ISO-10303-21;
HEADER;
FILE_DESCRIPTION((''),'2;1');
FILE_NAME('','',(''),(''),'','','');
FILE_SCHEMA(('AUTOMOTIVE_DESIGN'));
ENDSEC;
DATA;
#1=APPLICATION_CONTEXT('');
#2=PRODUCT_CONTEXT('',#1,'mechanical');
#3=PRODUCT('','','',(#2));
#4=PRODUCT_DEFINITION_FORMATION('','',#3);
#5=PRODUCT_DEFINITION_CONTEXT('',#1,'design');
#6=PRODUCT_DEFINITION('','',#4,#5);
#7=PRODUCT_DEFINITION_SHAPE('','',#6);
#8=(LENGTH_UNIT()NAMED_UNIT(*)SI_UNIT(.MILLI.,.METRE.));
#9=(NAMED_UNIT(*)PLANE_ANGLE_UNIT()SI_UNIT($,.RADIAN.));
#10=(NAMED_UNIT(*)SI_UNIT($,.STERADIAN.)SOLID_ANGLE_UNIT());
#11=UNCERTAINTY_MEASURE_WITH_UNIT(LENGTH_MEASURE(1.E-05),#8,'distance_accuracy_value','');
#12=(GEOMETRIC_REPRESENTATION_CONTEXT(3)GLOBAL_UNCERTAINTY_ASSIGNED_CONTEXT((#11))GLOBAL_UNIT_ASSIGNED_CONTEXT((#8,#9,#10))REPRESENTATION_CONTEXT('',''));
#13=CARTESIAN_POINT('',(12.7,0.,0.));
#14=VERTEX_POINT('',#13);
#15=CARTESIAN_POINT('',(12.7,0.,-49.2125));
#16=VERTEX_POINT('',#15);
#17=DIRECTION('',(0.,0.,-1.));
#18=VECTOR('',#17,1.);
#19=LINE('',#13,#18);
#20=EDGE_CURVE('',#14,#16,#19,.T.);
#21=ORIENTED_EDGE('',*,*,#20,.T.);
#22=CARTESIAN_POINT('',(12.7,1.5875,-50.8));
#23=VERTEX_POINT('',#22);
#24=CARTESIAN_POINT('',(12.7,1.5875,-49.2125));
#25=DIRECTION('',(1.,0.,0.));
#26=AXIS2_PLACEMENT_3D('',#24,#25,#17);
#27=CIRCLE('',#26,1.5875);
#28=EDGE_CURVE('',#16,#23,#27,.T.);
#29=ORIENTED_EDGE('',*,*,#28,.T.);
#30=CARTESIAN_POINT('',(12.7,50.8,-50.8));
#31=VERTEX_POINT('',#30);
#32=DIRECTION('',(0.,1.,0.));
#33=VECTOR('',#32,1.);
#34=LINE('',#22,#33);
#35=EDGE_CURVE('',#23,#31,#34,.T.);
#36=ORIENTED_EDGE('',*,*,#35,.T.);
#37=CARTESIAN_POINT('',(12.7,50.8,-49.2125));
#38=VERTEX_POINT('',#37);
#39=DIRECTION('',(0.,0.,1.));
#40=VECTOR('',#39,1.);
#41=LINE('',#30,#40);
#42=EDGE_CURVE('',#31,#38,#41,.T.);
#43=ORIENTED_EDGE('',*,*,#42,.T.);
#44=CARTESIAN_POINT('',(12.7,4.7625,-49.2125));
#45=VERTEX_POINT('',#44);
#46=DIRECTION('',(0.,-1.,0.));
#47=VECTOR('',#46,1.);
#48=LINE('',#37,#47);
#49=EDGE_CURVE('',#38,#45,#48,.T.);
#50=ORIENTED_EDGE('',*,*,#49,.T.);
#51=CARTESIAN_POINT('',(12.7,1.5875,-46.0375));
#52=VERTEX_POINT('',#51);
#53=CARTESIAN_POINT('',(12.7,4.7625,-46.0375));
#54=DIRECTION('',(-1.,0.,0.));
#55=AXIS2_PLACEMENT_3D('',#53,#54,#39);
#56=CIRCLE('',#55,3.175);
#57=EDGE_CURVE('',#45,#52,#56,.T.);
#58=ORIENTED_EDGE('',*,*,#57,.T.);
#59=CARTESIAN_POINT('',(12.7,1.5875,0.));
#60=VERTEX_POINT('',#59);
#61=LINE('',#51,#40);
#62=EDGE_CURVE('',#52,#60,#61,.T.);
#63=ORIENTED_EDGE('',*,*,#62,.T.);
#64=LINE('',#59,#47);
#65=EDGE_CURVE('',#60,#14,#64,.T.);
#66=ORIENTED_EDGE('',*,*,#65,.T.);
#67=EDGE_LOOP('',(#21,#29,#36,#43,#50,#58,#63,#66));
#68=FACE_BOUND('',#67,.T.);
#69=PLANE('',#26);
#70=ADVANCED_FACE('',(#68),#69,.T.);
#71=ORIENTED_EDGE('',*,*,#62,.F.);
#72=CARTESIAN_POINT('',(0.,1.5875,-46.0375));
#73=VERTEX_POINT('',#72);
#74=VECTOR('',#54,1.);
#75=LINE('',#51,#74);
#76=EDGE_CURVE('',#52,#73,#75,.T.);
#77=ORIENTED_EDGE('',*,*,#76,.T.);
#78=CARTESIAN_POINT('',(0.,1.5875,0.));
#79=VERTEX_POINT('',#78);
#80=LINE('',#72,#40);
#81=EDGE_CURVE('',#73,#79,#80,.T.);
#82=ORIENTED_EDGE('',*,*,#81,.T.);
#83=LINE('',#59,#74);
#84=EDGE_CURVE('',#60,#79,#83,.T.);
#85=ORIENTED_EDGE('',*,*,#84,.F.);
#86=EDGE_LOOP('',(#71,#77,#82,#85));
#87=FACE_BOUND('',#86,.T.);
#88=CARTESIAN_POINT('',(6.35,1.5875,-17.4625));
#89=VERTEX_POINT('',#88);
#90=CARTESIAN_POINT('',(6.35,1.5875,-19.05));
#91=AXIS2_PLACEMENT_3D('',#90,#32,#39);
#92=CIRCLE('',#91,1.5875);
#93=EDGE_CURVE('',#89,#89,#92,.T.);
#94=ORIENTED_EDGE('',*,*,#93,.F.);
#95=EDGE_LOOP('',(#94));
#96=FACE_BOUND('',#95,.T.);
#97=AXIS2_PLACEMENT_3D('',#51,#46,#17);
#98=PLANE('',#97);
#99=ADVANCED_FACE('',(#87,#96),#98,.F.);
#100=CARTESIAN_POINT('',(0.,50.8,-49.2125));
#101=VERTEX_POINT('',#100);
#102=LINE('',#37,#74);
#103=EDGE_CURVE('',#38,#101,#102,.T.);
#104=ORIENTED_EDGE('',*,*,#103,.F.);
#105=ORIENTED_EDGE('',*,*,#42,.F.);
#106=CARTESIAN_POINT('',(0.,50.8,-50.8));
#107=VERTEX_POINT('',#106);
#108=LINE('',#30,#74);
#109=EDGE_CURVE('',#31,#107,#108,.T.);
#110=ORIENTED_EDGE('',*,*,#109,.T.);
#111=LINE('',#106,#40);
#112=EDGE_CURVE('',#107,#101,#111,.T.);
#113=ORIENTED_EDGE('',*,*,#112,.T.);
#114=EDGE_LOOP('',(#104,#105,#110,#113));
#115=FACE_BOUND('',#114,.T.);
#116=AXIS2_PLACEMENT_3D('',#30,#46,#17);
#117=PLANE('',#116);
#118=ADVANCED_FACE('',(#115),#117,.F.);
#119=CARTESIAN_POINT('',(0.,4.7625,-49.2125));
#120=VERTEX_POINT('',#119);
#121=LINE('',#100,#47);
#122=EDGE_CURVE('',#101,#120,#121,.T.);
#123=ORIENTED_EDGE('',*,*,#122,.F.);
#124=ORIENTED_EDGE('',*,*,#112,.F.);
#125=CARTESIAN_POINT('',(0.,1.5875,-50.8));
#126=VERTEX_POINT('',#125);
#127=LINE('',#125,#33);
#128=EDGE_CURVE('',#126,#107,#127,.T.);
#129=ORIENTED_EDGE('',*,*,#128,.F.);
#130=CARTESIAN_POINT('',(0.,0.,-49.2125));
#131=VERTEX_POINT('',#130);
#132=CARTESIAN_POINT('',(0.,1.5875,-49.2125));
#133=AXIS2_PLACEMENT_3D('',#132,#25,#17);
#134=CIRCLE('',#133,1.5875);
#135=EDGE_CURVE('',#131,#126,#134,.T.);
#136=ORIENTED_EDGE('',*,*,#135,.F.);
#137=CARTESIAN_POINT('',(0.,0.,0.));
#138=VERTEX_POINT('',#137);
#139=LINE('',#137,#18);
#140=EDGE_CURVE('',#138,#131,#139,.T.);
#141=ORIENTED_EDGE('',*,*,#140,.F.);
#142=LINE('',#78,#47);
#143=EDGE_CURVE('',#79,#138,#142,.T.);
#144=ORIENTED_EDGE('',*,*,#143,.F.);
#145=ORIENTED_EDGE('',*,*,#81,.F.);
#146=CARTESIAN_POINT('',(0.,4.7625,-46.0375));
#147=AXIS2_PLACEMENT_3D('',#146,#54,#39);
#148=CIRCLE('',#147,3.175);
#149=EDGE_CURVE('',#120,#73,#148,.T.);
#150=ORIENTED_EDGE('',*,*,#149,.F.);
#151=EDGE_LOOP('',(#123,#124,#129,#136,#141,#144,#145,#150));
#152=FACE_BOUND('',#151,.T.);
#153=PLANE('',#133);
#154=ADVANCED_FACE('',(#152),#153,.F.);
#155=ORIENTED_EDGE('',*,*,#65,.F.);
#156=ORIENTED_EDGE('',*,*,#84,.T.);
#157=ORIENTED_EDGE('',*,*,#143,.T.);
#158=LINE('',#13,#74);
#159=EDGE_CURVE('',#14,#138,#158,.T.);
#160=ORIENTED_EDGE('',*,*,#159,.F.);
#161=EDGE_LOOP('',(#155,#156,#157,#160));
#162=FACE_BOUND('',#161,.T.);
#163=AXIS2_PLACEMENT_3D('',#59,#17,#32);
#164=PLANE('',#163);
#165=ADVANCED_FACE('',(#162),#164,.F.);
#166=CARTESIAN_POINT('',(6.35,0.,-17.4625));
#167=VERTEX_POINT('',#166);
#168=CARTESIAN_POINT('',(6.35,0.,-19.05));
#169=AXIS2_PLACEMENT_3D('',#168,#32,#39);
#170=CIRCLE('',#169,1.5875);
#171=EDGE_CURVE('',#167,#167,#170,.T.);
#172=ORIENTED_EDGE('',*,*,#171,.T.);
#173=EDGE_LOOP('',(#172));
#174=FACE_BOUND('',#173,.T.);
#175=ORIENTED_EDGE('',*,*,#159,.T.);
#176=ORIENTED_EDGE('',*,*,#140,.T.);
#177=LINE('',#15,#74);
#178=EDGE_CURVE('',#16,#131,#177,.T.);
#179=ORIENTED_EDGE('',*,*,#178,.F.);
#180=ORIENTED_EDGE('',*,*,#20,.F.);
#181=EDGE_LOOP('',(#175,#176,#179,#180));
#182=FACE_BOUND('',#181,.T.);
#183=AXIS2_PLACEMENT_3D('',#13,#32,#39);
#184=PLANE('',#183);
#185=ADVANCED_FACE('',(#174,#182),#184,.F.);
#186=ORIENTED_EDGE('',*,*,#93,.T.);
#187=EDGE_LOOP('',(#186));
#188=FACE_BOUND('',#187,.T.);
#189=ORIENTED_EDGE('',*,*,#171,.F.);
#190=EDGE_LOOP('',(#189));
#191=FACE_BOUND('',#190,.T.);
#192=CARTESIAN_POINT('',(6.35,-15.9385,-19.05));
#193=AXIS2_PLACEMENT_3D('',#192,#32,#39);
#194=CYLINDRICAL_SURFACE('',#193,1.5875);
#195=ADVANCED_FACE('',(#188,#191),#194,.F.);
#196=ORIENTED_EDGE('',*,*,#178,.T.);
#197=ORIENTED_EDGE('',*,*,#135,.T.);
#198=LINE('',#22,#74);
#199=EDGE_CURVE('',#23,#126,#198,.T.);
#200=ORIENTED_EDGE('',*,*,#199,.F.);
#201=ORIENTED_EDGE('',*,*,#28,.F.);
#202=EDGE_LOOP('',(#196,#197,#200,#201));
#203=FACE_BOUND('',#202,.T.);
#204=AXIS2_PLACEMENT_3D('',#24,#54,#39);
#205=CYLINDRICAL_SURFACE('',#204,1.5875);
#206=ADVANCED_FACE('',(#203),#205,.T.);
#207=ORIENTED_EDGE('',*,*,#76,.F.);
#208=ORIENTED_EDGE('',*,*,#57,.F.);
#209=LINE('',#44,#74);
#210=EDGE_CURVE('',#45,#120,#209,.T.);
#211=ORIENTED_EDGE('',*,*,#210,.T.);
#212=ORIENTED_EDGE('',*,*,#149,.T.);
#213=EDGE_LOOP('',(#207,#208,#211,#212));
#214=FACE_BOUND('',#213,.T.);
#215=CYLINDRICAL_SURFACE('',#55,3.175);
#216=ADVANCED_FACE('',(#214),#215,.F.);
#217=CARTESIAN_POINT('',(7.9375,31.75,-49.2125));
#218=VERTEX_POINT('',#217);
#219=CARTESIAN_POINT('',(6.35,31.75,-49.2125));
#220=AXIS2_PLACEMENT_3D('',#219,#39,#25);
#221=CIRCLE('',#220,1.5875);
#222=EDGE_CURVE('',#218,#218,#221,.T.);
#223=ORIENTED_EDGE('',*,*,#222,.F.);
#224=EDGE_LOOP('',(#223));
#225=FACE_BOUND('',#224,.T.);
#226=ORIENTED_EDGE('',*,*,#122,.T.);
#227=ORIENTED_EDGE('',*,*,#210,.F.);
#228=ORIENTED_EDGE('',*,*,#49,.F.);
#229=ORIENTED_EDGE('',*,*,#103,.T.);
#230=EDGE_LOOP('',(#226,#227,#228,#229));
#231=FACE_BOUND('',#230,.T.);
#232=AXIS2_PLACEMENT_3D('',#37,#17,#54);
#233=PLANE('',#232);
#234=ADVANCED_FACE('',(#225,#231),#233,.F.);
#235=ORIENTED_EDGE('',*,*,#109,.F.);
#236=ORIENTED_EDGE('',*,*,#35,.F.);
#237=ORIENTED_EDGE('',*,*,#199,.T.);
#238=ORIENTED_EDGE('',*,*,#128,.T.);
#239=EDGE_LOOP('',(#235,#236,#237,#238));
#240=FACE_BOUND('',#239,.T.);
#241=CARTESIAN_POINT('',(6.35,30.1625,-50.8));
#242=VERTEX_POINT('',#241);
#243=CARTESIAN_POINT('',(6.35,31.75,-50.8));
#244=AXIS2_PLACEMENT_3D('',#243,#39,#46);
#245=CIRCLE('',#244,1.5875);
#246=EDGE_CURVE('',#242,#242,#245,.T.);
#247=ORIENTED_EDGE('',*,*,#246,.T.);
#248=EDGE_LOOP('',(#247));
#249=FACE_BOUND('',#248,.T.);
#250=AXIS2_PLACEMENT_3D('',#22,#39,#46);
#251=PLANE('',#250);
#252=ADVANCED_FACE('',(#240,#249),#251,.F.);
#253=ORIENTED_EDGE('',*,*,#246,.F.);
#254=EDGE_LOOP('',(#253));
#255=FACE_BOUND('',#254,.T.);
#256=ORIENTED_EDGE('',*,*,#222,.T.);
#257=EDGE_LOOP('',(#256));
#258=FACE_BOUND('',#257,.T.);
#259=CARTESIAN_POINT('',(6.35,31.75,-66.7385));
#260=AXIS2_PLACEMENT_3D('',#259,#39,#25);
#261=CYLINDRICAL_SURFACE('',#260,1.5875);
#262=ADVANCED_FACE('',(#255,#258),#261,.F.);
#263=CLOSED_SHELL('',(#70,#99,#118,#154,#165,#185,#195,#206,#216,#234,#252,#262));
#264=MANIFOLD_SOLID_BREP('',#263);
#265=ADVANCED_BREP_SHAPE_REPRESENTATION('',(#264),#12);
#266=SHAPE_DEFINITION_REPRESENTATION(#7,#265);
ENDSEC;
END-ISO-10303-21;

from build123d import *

# Parameters (mm, degrees)
BOSS_EXTRUDE1_DEPTH = 12.7
SKETCH2_R           = 1.5875
CUT_EXTRUDE1_DEPTH  = 17.526
SKETCH3_R           = 1.5875
CUT_EXTRUDE2_DEPTH  = 17.526


with BuildPart() as part:
    # Sketch1 → Boss-Extrude1 (new body)
    with BuildSketch(Plane(origin=(0, 0, 0), x_dir=(0, 0, -1), z_dir=(1, 0, 0))):
        with BuildLine():
            Line((0, 0), (49.2125, 0))
            ThreePointArc((49.2125, 0), (50.335032015, 0.464967985), (50.8, 1.5875))
            Line((50.8, 1.5875), (50.8, 50.8))
            Line((50.8, 50.8), (49.2125, 50.8))
            Line((49.2125, 50.8), (49.2125, 4.7625))
            ThreePointArc((49.2125, 4.7625), (48.28256403, 2.51743597), (46.0375, 1.5875))
            Line((46.0375, 1.5875), (0, 1.5875))
            Line((0, 1.5875), (0, 0))
        make_face()
    extrude(amount=BOSS_EXTRUDE1_DEPTH)

    # Sketch2 → Cut-Extrude1 (cut)
    with BuildSketch(Plane.XY.offset(-49.2125)):
        with Locations((6.35, 31.75)):
            Circle(SKETCH2_R)
    extrude(amount=-CUT_EXTRUDE1_DEPTH, mode=Mode.SUBTRACT)

    # Sketch3 → Cut-Extrude2 (cut)
    with BuildSketch(Plane(origin=(0, 1.5875, 0), x_dir=(1, 0, 0), z_dir=(0, 1, 0))):
        with Locations(Location((6.35, 19.05, 0), (0, 0, 270))):
            Circle(SKETCH3_R)
    extrude(amount=-CUT_EXTRUDE2_DEPTH, mode=Mode.SUBTRACT)


solid = part.part
